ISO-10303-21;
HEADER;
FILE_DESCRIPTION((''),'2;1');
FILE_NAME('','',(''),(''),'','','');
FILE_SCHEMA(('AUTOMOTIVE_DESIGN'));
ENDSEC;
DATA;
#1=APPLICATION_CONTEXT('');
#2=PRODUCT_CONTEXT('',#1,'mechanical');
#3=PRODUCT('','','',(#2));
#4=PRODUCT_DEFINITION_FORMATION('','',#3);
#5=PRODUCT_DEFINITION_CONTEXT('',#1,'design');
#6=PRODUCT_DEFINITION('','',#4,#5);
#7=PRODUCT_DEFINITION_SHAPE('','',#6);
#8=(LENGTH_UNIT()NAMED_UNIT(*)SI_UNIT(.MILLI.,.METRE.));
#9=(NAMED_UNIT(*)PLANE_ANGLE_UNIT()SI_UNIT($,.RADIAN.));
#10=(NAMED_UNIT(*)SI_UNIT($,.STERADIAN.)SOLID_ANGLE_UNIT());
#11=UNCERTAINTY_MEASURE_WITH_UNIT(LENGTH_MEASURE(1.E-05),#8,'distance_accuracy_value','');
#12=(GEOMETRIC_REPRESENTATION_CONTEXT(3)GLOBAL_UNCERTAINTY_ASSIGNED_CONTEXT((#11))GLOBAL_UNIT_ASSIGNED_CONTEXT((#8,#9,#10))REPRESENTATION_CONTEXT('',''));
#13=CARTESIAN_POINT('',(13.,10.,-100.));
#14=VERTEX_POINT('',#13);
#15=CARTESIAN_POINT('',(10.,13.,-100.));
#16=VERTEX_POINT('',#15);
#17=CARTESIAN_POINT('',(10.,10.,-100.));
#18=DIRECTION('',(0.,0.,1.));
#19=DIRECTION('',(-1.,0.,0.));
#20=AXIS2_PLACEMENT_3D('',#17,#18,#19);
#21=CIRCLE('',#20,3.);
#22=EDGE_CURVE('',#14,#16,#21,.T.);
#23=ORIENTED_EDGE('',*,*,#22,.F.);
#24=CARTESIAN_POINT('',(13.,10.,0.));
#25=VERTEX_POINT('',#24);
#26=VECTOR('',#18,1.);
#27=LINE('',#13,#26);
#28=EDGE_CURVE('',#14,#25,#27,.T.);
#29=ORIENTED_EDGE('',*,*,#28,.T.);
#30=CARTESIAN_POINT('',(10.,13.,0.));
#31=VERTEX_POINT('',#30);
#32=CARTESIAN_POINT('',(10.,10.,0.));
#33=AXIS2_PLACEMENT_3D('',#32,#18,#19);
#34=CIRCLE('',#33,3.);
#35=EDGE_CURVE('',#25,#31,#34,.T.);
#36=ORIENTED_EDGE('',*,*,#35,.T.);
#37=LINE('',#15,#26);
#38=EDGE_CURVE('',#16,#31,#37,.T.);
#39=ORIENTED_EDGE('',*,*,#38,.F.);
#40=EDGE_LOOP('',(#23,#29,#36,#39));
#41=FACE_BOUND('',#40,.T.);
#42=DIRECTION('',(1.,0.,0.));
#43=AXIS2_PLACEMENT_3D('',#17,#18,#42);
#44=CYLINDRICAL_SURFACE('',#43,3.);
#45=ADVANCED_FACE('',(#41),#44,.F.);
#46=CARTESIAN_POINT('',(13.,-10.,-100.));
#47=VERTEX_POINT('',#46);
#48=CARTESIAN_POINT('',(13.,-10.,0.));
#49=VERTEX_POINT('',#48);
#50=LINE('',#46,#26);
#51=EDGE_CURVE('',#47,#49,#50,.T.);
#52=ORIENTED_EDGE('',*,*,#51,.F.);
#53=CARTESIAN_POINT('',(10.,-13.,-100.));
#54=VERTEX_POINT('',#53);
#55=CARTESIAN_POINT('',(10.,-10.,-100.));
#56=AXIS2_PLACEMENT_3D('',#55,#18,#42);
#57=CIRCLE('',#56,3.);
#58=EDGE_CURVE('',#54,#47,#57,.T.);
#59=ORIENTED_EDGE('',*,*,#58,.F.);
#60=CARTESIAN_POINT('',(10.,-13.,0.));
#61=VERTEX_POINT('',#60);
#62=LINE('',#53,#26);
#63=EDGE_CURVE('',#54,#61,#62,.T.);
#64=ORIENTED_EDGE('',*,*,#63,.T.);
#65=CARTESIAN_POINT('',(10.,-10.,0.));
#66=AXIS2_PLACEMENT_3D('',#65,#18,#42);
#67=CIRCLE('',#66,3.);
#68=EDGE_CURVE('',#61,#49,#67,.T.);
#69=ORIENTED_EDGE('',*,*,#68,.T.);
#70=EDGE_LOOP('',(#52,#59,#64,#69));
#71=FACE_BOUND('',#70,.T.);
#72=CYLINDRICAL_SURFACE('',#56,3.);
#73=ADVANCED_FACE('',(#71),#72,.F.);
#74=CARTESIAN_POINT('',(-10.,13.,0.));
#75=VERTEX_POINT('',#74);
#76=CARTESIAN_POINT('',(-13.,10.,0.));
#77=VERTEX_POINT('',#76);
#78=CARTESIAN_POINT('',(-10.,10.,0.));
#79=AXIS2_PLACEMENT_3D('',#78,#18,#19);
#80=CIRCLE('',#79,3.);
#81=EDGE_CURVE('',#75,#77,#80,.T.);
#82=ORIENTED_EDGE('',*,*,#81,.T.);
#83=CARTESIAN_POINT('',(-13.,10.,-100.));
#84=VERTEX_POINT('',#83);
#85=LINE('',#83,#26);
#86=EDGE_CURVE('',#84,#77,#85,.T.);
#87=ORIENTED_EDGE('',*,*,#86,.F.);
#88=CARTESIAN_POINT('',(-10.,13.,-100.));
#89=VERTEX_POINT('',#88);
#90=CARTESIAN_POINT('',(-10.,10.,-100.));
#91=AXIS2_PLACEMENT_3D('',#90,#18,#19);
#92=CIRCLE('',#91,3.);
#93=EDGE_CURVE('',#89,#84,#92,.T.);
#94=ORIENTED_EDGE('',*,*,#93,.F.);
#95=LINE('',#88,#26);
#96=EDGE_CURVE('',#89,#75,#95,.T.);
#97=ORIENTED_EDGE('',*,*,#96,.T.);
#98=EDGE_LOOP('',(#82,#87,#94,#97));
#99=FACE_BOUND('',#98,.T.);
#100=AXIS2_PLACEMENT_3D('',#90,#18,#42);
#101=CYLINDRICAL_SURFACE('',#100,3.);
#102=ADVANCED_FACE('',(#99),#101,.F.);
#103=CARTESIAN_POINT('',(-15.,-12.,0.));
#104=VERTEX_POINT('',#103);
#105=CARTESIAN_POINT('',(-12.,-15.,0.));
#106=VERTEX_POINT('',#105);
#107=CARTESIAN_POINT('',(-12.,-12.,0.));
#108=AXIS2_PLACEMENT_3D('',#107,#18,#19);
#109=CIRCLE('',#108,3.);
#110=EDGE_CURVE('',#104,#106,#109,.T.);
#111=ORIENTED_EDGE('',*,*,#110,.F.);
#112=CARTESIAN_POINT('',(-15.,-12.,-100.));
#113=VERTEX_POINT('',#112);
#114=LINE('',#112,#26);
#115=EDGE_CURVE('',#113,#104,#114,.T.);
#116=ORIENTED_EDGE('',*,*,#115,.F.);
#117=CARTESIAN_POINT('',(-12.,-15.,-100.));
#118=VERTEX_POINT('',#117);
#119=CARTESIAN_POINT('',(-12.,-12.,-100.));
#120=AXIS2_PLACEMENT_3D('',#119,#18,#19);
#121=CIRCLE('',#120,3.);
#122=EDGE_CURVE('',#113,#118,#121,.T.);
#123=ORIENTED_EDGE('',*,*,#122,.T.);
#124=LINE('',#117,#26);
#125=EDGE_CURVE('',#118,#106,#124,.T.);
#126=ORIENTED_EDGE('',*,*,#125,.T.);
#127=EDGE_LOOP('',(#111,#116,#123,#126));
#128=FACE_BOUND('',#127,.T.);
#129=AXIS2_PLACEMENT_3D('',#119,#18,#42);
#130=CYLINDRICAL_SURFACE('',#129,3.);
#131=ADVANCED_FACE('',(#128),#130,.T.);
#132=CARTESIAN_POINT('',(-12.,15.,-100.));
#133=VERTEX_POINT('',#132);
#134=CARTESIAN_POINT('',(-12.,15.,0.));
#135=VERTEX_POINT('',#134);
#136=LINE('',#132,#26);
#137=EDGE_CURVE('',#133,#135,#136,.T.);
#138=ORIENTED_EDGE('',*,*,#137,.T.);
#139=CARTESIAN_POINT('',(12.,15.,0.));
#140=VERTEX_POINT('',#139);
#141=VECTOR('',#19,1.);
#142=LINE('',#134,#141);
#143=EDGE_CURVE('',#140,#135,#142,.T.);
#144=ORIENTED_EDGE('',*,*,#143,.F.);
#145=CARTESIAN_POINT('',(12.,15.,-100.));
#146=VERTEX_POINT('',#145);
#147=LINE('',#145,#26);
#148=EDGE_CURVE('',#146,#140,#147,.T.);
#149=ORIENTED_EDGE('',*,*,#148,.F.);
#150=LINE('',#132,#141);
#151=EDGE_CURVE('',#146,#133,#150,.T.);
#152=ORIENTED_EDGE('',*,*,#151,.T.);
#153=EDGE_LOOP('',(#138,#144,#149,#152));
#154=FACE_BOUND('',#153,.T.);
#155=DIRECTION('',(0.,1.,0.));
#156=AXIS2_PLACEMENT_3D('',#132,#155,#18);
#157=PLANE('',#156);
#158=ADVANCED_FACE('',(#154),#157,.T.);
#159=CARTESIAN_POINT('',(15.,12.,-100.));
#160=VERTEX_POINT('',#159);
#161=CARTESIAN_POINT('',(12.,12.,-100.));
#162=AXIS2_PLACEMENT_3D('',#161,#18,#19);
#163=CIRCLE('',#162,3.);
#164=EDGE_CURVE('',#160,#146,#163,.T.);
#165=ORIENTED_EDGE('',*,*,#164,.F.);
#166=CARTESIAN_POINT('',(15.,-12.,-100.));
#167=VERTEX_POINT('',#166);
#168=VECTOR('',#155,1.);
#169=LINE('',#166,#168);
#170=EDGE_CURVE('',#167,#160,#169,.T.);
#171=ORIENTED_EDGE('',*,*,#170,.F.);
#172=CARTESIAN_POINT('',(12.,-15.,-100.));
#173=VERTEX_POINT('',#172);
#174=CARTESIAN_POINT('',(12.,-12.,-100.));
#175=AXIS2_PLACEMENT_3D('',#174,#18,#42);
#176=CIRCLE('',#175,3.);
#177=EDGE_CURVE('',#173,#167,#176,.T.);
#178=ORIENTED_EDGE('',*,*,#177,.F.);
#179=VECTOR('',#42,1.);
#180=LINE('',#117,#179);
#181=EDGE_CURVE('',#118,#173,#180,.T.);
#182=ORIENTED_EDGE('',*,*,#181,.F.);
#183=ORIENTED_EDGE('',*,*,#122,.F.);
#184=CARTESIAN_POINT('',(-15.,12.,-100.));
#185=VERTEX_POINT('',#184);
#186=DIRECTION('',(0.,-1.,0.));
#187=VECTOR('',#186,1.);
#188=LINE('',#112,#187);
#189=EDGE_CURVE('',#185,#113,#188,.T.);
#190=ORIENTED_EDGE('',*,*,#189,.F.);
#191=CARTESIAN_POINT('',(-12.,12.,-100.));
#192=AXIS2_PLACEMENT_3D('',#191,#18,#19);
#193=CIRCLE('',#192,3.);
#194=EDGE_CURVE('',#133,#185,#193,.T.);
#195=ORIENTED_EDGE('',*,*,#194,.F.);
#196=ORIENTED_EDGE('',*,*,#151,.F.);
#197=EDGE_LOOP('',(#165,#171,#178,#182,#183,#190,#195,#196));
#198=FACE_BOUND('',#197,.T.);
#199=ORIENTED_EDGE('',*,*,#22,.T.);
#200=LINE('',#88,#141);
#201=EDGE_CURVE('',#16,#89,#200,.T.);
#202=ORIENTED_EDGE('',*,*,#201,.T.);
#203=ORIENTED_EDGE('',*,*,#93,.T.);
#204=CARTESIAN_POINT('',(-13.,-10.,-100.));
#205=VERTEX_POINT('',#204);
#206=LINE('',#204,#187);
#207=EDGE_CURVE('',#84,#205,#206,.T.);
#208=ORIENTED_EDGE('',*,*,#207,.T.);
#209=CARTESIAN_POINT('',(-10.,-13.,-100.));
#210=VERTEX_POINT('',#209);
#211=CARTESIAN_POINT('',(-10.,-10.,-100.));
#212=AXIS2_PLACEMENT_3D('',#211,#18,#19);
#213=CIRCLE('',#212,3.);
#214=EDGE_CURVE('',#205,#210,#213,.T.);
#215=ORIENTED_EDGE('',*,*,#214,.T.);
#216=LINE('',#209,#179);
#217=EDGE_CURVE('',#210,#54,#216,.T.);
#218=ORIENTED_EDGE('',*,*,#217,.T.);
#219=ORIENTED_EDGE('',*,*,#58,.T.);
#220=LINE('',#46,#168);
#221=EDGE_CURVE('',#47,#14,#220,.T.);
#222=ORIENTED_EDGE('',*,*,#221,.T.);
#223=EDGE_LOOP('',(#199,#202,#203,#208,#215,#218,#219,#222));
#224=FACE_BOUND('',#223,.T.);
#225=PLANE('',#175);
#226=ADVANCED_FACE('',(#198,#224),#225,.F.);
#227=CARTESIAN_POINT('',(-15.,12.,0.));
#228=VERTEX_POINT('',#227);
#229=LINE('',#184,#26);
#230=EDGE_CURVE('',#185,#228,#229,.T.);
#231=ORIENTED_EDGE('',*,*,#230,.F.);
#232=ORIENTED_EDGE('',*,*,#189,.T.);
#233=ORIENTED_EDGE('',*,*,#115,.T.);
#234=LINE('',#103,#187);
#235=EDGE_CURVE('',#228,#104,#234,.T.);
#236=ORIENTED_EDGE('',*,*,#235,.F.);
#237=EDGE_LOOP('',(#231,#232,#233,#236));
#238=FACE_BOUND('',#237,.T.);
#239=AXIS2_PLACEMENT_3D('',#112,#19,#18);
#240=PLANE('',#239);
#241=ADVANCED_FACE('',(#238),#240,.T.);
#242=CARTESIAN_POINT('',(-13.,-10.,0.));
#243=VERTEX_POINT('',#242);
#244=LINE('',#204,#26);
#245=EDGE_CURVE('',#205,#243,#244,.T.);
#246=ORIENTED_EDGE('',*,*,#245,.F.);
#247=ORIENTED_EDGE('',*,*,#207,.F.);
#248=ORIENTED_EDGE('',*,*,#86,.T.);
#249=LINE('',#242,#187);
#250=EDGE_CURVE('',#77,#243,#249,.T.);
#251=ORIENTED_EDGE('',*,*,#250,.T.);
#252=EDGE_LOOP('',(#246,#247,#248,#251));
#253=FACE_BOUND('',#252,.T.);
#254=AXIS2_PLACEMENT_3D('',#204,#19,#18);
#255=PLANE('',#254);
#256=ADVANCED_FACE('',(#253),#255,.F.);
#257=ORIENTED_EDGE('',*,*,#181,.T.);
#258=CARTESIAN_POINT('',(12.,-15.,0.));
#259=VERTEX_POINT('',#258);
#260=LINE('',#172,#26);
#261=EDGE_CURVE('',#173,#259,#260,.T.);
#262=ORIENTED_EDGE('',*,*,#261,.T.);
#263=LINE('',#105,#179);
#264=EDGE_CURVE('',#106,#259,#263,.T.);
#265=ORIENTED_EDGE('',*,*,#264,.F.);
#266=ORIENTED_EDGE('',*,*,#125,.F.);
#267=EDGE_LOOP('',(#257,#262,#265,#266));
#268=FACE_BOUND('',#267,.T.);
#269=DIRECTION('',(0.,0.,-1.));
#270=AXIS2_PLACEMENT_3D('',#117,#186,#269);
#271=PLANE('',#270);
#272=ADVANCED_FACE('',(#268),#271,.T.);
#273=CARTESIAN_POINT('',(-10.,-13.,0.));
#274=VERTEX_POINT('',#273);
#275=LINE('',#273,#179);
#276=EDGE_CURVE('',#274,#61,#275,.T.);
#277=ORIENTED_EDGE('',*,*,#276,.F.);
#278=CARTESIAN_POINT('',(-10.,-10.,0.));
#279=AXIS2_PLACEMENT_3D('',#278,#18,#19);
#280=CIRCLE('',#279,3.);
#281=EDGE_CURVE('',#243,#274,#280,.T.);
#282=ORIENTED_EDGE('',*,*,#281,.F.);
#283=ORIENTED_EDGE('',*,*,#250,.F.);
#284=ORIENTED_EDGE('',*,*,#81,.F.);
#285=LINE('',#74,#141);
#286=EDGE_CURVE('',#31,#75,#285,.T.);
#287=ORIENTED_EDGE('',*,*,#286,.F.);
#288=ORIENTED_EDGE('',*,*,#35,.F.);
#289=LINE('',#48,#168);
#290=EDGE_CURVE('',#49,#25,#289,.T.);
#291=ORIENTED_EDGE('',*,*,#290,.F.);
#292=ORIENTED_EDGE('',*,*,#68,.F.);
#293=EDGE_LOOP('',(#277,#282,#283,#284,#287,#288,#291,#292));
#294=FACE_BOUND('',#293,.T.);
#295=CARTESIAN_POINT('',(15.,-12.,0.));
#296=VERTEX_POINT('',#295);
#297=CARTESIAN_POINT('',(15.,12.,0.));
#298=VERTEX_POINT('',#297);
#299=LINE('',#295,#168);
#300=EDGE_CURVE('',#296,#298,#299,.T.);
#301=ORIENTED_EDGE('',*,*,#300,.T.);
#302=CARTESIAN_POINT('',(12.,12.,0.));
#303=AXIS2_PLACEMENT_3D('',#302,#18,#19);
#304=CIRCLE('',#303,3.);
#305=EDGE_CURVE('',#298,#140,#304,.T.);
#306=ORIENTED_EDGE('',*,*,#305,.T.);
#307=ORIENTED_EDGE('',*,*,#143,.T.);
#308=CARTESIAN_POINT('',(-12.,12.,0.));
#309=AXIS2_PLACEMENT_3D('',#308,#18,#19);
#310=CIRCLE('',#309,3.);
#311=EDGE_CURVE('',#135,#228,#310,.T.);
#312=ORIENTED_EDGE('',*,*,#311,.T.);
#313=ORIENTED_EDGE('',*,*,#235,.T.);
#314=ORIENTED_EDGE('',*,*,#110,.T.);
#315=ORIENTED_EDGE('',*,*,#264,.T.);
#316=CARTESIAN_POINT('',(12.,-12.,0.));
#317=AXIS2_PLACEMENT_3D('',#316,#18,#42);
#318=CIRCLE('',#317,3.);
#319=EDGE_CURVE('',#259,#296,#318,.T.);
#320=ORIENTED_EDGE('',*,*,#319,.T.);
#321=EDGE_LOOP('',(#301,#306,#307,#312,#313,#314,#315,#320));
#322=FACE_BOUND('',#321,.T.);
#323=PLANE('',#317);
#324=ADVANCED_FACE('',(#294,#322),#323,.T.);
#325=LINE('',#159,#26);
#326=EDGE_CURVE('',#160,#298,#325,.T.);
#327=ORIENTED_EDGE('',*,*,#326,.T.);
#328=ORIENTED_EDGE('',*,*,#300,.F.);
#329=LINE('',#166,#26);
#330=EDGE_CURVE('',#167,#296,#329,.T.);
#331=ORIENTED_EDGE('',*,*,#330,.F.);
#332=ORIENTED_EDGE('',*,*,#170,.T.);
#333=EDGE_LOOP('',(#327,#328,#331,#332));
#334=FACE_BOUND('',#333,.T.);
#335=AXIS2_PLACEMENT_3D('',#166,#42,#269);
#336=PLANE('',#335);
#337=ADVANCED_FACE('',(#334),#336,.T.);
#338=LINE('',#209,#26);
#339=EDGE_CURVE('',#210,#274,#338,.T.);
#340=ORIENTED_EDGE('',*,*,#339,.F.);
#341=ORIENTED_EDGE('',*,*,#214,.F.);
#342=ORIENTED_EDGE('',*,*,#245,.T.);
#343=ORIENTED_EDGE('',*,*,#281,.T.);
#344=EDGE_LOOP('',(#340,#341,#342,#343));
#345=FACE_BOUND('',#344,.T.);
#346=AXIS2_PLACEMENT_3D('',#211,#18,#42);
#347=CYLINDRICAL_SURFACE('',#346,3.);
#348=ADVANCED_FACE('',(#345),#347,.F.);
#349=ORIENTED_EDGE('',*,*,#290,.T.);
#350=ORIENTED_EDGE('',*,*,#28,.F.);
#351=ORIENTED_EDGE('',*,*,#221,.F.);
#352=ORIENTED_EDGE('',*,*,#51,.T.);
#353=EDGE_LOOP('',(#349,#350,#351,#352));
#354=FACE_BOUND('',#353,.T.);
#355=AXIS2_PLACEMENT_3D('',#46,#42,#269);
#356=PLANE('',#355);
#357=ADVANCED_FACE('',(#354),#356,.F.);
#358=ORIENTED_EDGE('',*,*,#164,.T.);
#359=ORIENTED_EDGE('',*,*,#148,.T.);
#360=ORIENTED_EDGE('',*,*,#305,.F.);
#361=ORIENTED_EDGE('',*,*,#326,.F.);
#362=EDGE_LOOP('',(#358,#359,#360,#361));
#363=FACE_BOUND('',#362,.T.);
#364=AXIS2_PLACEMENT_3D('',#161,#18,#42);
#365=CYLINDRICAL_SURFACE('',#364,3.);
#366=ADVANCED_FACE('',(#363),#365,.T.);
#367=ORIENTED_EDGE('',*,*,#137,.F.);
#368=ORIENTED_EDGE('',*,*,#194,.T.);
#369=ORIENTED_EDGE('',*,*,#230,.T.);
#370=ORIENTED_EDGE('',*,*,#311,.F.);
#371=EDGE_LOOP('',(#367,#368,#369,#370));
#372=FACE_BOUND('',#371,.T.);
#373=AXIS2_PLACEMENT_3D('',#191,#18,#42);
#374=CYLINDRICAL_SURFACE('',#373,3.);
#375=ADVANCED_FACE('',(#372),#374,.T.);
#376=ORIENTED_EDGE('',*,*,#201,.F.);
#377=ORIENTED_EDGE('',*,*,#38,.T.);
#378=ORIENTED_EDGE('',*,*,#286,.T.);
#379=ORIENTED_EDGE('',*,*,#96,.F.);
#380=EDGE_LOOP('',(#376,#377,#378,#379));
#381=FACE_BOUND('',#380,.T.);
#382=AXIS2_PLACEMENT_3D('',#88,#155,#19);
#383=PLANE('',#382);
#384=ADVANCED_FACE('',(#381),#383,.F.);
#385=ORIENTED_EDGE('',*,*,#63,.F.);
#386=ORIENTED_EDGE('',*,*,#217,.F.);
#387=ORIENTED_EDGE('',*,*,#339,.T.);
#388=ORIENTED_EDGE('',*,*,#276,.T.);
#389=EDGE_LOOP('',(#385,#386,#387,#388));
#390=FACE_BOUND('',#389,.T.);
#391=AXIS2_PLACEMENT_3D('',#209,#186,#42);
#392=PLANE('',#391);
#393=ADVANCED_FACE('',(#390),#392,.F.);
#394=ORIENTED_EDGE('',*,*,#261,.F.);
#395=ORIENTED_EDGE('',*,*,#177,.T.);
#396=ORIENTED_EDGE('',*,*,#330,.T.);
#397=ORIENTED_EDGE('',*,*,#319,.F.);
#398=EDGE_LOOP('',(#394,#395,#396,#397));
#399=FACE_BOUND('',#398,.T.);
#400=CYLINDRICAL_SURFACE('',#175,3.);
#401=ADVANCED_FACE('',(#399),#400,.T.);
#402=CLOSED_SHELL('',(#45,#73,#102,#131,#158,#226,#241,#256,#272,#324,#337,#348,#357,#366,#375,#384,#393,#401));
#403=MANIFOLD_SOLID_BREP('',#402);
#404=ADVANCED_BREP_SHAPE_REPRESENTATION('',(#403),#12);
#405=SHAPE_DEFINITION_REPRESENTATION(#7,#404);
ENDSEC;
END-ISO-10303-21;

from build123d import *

# Parameters (mm, degrees)
BOSS_EXTRU_1_DEPTH = 100


with BuildPart() as part:
    # Esquisse1 → Boss.-Extru.1 (new body)
    with BuildSketch(Plane.XY):
        with BuildLine():
            Line((-12, -15), (12, -15))
            ThreePointArc((12, -15), (14.121320344, -14.121320344), (15, -12))
            Line((15, -12), (15, 12))
            ThreePointArc((15, 12), (14.121320344, 14.121320344), (12, 15))
            Line((12, 15), (-12, 15))
            ThreePointArc((-12, 15), (-14.121320344, 14.121320344), (-15, 12))
            Line((-15, 12), (-15, -12))
            ThreePointArc((-15, -12), (-14.121320344, -14.121320344), (-12, -15))
        make_face()
        with BuildLine():
            Line((-10, -13), (10, -13))
            ThreePointArc((10, -13), (12.121320344, -12.121320344), (13, -10))
            Line((13, -10), (13, 10))
            ThreePointArc((13, 10), (12.121320344, 12.121320344), (10, 13))
            Line((10, 13), (-10, 13))
            ThreePointArc((-10, 13), (-12.121320344, 12.121320344), (-13, 10))
            Line((-13, 10), (-13, -10))
            ThreePointArc((-13, -10), (-12.121320344, -12.121320344), (-10, -13))
        make_face(mode=Mode.SUBTRACT)
    extrude(amount=-BOSS_EXTRU_1_DEPTH)


solid = part.part
